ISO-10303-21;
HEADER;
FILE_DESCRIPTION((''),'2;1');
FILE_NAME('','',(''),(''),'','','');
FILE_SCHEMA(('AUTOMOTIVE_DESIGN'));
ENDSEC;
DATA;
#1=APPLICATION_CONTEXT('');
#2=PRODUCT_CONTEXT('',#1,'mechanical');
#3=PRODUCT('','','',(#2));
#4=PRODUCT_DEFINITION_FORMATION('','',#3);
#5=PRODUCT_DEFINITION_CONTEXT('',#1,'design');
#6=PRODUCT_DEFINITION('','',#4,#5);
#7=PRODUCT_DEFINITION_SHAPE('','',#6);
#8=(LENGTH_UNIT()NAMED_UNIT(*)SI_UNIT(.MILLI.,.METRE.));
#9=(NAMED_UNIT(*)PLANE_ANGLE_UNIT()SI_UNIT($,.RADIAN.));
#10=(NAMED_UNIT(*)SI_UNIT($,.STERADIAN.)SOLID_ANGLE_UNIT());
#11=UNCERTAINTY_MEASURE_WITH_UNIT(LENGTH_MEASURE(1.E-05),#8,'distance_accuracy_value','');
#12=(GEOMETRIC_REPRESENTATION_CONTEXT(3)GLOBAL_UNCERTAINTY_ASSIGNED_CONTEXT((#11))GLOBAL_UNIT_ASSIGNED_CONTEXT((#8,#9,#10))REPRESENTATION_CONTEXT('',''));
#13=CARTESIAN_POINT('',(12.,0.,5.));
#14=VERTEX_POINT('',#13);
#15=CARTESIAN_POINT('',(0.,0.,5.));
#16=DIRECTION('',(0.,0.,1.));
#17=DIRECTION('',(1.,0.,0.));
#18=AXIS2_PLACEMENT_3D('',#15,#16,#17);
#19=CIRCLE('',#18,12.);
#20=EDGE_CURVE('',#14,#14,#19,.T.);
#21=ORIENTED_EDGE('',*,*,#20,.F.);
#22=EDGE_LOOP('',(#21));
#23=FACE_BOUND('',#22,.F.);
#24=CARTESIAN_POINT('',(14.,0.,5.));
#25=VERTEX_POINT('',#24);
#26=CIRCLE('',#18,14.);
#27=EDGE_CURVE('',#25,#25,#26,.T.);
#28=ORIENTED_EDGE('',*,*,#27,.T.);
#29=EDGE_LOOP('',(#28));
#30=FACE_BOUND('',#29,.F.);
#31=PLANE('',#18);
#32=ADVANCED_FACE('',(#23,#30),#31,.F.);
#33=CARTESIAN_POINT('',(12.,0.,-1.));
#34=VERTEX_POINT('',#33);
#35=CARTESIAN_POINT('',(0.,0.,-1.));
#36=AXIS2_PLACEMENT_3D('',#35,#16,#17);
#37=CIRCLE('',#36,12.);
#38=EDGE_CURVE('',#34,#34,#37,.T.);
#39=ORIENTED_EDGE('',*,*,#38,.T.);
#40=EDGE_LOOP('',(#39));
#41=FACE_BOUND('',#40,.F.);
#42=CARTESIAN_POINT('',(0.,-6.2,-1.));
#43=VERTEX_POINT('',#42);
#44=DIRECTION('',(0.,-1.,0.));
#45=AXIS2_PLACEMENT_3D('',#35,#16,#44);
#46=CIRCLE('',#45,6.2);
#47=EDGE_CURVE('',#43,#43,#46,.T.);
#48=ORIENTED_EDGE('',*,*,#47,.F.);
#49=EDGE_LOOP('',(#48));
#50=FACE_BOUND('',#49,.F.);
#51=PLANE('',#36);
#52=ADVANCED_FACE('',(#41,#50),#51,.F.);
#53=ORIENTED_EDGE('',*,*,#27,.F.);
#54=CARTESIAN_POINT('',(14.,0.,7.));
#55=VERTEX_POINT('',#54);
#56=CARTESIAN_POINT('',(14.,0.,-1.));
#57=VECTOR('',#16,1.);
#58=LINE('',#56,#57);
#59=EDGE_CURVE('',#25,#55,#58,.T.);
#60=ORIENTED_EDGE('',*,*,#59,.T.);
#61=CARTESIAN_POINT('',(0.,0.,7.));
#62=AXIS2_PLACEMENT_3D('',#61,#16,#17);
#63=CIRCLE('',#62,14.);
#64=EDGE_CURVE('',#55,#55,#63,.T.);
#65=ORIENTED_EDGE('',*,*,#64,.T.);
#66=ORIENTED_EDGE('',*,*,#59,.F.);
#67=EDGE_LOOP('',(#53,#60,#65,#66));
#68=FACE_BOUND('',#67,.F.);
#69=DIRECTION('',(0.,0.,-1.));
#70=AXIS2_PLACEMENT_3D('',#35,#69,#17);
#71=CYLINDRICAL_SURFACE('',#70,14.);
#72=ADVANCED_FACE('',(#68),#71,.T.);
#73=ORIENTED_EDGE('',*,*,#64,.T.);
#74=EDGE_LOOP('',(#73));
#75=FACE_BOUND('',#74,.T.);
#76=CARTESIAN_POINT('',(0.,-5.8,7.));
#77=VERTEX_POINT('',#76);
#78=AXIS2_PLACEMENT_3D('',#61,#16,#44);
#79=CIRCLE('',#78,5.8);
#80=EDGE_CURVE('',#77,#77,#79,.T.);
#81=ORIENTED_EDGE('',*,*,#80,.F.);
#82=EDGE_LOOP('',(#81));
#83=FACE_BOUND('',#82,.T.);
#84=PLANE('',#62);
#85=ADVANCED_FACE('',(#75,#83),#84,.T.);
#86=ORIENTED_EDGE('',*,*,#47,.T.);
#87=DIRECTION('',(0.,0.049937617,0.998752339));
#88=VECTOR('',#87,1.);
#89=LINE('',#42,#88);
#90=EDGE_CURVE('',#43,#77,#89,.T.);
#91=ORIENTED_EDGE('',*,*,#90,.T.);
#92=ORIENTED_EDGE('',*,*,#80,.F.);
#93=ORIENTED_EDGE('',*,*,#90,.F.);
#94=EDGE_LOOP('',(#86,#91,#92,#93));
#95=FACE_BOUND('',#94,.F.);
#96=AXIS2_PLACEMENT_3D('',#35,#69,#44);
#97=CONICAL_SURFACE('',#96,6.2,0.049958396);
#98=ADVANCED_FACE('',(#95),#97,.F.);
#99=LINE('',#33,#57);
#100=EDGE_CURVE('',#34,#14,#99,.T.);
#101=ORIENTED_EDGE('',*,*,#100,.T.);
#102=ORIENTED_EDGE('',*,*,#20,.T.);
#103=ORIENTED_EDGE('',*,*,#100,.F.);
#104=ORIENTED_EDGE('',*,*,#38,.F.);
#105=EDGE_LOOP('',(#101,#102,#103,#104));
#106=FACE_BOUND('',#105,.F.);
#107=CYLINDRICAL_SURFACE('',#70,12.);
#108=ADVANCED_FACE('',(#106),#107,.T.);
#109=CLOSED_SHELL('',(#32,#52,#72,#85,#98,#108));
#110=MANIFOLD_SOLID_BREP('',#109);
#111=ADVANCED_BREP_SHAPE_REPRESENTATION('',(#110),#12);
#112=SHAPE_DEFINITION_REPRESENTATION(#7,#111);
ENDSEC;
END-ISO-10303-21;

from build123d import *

# Parameters (mm, degrees)
SKETCH010_R     = 14
PAD006_DEPTH    = 8
SKETCH011_R     = 14
SKETCH011_R_2   = 12
POCKET001_DEPTH = 6


with BuildPart() as part:
    # Sketch010 → Pad006 (new body)
    with BuildSketch(Plane.XY):
        Circle(SKETCH010_R)
    extrude(amount=PAD006_DEPTH)

    # Sketch011 → Pocket001 (cut)
    with BuildSketch(Plane.XY):
        Circle(SKETCH011_R)
        Circle(SKETCH011_R_2, mode=Mode.SUBTRACT)
    extrude(amount=POCKET001_DEPTH, mode=Mode.SUBTRACT)

    # Sketch012 → Groove002 (revolve, cut)
    with BuildSketch(Plane.YZ):
        Polygon((0, 0), (-6.2, 0), (-5.8, 8), (0, 8), align=None)
    revolve(axis=Axis((0, 0, 0), (0, 0, 1)), mode=Mode.SUBTRACT)


with BuildPart() as part_1:
    # Body003 placement: moved
    add(part.part.moved(Location((0, 0, -1))))


solid = part_1.part
